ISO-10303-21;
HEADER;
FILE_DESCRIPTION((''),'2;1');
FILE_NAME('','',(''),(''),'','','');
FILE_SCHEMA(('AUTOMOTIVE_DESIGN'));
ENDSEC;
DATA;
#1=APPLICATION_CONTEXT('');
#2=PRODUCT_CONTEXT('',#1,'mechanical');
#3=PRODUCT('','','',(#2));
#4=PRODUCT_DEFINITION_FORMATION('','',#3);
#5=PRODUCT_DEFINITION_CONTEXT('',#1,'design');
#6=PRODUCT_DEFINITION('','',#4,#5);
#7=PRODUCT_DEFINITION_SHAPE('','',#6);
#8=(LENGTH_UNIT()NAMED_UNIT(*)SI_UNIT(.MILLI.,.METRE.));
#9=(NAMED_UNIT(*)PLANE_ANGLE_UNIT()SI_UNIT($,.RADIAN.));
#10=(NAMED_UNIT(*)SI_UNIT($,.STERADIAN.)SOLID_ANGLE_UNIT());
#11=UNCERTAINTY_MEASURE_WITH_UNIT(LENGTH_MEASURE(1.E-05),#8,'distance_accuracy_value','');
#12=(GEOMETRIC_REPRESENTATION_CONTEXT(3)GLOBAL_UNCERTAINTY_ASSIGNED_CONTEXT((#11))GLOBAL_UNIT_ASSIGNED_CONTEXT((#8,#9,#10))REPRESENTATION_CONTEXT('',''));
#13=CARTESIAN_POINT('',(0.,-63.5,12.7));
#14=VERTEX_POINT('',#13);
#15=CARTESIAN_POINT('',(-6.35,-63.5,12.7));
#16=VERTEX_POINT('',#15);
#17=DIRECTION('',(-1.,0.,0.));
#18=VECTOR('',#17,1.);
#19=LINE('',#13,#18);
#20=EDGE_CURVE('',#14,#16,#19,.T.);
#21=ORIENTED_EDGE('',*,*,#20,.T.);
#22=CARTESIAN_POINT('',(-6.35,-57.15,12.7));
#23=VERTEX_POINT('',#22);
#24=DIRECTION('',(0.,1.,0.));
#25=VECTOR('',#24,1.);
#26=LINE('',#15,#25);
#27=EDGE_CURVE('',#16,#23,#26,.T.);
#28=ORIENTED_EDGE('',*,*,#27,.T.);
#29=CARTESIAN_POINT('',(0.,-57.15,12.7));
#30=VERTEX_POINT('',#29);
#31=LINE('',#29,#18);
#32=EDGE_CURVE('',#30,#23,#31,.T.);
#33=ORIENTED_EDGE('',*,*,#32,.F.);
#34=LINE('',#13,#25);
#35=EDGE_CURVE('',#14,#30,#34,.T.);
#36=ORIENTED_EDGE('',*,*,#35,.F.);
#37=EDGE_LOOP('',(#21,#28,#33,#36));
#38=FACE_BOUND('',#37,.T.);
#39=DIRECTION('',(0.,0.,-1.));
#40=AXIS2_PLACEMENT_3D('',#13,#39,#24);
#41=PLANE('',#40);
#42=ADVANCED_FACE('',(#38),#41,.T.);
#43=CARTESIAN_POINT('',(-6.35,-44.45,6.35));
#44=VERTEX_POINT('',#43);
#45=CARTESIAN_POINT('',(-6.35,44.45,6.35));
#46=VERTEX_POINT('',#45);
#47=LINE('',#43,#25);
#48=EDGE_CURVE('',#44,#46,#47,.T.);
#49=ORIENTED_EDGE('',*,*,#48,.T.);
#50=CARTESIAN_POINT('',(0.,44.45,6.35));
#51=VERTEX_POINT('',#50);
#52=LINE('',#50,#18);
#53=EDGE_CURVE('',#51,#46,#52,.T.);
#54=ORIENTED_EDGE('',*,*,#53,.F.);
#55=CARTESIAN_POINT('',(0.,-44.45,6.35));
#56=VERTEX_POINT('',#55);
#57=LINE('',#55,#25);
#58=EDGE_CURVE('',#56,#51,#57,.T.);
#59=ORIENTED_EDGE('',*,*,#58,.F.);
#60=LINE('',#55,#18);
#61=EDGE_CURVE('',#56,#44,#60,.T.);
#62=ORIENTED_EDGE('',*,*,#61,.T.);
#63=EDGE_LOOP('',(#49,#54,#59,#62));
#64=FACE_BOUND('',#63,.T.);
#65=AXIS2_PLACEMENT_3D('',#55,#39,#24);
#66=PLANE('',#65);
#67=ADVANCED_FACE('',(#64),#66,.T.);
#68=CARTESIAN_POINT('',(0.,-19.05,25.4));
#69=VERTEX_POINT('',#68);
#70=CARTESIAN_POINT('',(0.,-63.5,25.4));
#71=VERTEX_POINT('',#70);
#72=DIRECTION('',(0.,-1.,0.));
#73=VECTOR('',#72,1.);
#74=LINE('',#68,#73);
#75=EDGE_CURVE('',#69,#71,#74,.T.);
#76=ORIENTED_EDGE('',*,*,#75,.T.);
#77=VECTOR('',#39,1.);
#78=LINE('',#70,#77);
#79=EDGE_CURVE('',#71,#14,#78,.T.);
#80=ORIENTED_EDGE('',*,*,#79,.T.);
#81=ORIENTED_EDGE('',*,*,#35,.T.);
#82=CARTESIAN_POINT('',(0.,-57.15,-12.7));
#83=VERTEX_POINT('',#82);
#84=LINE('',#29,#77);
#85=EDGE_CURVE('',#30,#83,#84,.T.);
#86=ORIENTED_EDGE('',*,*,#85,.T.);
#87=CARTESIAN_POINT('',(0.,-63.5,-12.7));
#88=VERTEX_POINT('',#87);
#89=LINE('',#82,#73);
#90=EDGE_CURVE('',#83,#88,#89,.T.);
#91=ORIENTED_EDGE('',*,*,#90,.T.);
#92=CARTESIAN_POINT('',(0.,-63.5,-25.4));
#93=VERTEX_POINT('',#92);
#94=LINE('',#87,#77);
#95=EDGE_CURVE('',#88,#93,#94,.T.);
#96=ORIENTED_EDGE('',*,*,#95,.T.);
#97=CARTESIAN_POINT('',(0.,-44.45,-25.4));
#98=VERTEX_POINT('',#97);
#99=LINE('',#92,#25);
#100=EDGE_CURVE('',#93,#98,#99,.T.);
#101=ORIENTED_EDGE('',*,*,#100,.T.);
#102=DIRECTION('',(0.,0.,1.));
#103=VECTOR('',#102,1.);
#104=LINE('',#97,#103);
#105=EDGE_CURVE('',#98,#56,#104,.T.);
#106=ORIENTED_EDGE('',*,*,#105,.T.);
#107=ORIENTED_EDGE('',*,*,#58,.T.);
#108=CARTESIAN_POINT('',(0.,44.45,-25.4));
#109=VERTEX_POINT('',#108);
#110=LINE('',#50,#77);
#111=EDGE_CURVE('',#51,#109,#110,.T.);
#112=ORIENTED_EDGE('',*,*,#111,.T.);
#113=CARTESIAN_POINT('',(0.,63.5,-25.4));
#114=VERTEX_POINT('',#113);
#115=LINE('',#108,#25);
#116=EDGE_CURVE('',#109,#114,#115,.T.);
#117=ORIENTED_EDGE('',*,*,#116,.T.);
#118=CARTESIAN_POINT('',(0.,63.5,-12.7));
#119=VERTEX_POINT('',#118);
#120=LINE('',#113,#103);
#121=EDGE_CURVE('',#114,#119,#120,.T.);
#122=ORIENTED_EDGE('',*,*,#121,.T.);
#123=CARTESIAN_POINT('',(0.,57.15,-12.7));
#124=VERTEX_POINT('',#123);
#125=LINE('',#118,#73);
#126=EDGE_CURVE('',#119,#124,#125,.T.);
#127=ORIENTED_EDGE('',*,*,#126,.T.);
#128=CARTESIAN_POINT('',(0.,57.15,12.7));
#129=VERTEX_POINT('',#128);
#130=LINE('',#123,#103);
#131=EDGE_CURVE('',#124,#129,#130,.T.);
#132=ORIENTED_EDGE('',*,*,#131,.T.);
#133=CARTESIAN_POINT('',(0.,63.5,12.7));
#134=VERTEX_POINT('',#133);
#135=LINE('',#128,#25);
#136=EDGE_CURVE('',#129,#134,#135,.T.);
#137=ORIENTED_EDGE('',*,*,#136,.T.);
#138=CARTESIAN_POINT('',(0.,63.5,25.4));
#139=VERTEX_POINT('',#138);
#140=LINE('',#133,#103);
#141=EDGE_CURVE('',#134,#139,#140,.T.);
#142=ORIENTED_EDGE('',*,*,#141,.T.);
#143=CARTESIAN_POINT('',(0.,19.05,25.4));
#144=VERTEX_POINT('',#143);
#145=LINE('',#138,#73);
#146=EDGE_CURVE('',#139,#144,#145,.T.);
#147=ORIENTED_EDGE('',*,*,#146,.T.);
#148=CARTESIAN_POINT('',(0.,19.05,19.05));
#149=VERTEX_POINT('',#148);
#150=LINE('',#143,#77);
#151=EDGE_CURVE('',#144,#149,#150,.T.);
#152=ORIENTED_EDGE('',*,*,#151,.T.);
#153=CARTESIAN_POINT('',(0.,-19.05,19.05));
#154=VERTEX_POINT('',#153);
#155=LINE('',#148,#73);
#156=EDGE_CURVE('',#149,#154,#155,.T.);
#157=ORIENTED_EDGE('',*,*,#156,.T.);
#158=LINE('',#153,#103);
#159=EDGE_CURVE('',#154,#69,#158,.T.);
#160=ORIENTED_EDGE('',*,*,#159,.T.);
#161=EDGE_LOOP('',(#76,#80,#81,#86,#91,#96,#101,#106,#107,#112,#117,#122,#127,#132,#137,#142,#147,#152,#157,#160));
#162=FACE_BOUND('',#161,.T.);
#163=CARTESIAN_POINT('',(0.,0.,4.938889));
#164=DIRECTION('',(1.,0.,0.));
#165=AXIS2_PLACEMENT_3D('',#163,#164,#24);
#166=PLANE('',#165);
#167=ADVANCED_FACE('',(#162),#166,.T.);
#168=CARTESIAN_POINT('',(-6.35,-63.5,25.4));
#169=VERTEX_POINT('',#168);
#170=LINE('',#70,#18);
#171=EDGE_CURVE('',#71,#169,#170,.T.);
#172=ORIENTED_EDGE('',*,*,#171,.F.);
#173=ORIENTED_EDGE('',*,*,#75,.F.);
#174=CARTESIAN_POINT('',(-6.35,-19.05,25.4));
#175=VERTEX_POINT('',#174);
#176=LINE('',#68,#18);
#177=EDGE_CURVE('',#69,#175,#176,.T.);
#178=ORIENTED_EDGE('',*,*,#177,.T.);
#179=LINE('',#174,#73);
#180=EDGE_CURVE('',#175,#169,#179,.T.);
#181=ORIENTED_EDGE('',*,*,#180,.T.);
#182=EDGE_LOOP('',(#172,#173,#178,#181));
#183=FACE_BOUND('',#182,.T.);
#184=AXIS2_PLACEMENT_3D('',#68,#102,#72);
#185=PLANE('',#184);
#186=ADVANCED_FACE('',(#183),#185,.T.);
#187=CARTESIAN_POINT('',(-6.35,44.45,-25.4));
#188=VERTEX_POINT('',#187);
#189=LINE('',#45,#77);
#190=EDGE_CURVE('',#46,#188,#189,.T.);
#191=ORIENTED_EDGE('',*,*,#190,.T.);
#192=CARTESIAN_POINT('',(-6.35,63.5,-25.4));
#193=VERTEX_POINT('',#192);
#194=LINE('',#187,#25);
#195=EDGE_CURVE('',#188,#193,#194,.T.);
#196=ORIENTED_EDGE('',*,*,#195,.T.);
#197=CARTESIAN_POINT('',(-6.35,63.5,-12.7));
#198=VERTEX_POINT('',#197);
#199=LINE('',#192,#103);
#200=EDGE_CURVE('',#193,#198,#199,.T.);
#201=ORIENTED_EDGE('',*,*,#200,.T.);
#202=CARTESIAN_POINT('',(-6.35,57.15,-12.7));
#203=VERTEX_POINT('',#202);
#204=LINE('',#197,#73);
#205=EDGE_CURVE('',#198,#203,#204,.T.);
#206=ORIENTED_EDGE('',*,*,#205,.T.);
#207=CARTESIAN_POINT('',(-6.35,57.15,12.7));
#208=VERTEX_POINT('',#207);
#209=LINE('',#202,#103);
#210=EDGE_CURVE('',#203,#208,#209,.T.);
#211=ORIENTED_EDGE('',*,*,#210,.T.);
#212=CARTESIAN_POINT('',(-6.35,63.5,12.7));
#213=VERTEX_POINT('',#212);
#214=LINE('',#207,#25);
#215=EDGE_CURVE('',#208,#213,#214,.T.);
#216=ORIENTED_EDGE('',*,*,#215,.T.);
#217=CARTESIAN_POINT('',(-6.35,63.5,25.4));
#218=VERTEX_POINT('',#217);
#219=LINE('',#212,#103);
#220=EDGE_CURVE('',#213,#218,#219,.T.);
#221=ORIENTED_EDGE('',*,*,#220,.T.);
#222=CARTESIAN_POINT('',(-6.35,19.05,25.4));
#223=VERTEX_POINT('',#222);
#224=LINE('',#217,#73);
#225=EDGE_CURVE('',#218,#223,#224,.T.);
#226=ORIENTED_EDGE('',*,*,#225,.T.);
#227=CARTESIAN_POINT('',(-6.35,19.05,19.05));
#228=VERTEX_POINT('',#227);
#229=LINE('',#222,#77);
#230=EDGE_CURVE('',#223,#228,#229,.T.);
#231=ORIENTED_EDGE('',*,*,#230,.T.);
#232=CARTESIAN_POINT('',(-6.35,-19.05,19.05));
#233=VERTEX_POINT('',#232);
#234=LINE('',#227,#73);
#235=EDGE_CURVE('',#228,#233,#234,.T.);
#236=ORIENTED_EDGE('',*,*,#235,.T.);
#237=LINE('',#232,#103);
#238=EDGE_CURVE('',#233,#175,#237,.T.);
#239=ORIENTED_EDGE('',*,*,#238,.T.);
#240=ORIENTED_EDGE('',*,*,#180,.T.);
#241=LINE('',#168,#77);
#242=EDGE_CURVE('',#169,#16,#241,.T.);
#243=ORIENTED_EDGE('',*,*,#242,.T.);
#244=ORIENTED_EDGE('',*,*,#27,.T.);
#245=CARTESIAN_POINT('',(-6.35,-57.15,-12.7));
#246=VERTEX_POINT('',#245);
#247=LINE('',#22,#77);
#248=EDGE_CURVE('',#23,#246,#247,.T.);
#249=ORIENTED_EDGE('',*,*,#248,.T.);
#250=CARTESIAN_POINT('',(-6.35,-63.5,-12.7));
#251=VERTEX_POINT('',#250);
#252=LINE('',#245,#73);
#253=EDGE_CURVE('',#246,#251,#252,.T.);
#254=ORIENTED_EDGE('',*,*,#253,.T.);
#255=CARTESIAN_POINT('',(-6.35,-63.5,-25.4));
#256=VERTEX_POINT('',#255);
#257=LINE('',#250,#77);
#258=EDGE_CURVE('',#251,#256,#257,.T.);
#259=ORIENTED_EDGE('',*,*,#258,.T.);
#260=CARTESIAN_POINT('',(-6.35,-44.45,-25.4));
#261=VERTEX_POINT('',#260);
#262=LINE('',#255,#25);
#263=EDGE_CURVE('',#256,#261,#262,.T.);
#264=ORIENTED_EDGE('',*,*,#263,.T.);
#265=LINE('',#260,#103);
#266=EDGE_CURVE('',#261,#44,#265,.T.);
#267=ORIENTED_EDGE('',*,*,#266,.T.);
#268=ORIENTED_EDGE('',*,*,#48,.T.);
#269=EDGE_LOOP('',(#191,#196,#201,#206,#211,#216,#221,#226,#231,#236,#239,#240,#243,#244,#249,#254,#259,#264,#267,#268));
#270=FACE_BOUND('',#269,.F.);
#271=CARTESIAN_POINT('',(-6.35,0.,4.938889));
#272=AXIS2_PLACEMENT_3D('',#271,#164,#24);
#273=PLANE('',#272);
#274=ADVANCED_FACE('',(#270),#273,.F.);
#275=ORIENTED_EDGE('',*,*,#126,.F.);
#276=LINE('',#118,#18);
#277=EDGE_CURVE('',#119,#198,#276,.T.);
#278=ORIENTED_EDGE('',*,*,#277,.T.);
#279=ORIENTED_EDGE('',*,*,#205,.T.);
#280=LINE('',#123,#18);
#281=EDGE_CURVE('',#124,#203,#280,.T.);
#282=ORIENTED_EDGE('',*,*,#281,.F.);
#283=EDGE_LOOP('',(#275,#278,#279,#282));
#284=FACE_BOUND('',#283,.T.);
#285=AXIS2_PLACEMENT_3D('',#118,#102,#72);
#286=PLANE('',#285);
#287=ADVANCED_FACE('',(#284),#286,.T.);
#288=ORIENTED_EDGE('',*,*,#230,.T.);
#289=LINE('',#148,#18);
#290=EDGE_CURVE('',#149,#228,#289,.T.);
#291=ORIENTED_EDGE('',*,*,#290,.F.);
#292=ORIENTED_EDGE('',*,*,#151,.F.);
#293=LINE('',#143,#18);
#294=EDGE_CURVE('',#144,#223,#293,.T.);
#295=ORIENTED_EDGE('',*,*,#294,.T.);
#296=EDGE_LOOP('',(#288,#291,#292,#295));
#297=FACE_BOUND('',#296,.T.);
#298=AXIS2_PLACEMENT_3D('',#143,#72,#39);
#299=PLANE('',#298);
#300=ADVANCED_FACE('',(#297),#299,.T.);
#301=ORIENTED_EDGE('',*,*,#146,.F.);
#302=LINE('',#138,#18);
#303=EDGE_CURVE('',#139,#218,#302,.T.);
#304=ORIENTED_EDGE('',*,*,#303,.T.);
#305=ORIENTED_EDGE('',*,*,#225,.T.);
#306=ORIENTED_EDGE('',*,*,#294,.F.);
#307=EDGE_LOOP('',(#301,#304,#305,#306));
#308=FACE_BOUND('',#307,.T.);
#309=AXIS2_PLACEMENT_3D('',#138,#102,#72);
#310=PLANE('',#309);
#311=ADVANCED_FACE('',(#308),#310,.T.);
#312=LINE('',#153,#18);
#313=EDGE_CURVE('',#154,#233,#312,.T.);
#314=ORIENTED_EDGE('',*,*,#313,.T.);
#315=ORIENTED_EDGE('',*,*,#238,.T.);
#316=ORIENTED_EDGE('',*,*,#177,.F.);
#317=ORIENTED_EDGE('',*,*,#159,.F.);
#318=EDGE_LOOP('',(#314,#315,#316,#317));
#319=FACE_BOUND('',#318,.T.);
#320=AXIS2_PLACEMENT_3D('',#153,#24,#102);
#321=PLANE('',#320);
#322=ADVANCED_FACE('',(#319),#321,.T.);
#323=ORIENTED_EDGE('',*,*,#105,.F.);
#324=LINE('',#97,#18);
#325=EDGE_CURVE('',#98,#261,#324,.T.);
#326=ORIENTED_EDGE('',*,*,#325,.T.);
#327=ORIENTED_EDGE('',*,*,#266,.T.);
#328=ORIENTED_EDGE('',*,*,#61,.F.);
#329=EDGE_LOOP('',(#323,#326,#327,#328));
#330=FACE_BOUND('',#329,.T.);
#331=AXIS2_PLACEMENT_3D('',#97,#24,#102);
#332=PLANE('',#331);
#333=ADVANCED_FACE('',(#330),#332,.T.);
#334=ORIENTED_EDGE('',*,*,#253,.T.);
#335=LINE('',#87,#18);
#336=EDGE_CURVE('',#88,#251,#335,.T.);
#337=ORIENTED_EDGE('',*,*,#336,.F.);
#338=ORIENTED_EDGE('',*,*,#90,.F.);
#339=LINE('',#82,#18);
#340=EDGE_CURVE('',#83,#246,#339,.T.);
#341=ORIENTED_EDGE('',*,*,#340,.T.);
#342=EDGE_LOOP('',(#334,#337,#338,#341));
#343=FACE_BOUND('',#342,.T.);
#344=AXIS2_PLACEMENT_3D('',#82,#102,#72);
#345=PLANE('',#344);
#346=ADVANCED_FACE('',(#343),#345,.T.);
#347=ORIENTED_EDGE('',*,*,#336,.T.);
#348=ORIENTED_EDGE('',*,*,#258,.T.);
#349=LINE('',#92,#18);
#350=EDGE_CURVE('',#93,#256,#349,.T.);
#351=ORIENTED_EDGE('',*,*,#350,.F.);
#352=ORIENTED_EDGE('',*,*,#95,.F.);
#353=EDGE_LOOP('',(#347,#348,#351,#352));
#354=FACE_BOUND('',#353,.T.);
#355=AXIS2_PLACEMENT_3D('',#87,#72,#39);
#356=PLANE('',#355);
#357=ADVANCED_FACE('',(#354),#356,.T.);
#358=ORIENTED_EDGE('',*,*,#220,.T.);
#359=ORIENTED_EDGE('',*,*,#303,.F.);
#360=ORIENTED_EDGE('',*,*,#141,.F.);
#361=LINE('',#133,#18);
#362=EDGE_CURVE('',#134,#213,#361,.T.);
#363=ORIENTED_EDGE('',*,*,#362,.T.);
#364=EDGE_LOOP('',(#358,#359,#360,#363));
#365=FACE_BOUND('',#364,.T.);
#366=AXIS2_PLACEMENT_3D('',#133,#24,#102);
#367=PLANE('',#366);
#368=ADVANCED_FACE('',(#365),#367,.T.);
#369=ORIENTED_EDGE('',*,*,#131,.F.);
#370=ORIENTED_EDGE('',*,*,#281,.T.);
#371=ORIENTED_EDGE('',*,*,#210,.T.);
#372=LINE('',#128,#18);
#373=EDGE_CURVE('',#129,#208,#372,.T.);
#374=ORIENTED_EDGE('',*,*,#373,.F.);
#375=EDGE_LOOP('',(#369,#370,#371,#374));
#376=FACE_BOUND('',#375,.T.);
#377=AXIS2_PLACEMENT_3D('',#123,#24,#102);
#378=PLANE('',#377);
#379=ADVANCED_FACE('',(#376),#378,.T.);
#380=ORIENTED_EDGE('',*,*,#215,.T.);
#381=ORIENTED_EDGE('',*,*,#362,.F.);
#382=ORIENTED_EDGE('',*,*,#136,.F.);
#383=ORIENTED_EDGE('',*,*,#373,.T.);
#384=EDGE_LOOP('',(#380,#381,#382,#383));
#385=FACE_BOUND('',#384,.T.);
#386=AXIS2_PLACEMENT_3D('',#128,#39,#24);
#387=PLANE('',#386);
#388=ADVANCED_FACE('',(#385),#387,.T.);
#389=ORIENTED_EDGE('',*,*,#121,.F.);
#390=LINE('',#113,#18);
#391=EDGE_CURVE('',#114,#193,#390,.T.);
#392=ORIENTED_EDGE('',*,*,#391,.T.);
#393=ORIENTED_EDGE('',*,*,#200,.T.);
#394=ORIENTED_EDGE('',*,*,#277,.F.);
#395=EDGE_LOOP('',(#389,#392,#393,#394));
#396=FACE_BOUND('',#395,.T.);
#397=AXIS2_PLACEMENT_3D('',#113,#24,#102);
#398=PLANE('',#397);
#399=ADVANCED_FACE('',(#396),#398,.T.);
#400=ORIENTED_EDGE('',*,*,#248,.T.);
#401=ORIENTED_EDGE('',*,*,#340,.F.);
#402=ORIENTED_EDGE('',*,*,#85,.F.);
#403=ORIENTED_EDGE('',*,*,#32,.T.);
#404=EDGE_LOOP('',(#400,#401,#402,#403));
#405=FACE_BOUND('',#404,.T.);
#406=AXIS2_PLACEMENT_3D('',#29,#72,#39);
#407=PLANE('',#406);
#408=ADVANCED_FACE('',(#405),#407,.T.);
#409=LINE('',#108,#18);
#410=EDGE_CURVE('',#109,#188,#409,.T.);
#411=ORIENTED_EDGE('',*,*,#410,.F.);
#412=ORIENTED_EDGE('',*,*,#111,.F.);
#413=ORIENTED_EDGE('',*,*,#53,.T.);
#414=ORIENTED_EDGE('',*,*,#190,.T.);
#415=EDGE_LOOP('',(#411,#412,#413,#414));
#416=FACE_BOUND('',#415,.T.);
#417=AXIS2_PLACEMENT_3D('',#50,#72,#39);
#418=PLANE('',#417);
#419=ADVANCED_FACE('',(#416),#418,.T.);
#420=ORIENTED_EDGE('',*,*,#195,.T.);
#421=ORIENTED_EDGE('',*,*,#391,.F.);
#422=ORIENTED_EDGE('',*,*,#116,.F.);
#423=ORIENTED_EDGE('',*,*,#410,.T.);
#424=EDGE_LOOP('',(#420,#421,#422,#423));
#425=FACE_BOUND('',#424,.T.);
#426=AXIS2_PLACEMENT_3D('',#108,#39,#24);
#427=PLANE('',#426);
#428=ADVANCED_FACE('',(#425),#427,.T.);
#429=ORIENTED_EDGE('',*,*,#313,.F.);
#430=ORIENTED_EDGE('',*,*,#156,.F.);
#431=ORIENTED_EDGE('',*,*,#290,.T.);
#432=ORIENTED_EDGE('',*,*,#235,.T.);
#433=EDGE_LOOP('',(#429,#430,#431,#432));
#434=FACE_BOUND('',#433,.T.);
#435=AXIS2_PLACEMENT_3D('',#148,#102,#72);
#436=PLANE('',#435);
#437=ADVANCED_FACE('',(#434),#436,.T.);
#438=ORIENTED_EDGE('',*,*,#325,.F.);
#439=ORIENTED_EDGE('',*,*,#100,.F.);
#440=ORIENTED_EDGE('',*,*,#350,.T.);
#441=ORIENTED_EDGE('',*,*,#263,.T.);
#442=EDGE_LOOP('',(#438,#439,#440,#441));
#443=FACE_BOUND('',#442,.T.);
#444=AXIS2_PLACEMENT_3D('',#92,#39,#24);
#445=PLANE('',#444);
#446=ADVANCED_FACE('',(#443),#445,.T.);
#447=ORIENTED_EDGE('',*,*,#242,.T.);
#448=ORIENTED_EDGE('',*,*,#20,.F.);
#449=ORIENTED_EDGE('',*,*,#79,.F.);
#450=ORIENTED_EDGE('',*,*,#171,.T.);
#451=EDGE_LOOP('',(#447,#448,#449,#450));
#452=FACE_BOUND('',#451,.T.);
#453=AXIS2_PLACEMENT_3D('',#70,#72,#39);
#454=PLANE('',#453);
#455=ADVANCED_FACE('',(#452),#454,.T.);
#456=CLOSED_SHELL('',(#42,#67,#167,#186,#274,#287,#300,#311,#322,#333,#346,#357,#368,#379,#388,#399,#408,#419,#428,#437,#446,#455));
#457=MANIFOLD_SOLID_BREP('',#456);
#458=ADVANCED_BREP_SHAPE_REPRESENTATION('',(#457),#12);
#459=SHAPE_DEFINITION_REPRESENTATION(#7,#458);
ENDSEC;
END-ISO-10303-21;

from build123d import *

# Parameters (mm, degrees)
F1_DEPTH = 6.35


with BuildPart() as f1:
    # F0 (on Right) → F1 (new body)
    with BuildSketch(Plane.YZ):
        Polygon((63.5, 25.4), (57.15, 25.4), (50.8, 25.4), (44.45, 25.4), (38.1, 25.4), (31.75, 25.4), (25.4, 25.4), (19.05, 25.4), (19.05, 19.05), (12.7, 19.05), (6.35, 19.05), (0, 19.05), (-6.35, 19.05), (-12.7, 19.05), (-19.05, 19.05), (-19.05, 25.4), (-25.4, 25.4), (-31.75, 25.4), (-38.1, 25.4), (-44.45, 25.4), (-50.8, 25.4), (-63.5, 25.4), (-63.5, 12.7), (-57.15, 12.7), (-57.15, 6.35), (-57.15, 0), (-57.15, -6.35), (-57.15, -12.7), (-63.5, -12.7), (-63.5, -19.05), (-63.5, -25.4), (-50.8, -25.4), (-44.45, -25.4), (-44.45, 6.35), (44.45, 6.35), (44.45, -25.4), (50.8, -25.4), (63.5, -25.4), (63.5, -19.05), (63.5, -12.7), (57.15, -12.7), (57.15, -6.35), (57.15, 0), (57.15, 6.35), (57.15, 12.7), (63.5, 12.7), align=None)
    extrude(amount=-F1_DEPTH)


solid = f1.part
